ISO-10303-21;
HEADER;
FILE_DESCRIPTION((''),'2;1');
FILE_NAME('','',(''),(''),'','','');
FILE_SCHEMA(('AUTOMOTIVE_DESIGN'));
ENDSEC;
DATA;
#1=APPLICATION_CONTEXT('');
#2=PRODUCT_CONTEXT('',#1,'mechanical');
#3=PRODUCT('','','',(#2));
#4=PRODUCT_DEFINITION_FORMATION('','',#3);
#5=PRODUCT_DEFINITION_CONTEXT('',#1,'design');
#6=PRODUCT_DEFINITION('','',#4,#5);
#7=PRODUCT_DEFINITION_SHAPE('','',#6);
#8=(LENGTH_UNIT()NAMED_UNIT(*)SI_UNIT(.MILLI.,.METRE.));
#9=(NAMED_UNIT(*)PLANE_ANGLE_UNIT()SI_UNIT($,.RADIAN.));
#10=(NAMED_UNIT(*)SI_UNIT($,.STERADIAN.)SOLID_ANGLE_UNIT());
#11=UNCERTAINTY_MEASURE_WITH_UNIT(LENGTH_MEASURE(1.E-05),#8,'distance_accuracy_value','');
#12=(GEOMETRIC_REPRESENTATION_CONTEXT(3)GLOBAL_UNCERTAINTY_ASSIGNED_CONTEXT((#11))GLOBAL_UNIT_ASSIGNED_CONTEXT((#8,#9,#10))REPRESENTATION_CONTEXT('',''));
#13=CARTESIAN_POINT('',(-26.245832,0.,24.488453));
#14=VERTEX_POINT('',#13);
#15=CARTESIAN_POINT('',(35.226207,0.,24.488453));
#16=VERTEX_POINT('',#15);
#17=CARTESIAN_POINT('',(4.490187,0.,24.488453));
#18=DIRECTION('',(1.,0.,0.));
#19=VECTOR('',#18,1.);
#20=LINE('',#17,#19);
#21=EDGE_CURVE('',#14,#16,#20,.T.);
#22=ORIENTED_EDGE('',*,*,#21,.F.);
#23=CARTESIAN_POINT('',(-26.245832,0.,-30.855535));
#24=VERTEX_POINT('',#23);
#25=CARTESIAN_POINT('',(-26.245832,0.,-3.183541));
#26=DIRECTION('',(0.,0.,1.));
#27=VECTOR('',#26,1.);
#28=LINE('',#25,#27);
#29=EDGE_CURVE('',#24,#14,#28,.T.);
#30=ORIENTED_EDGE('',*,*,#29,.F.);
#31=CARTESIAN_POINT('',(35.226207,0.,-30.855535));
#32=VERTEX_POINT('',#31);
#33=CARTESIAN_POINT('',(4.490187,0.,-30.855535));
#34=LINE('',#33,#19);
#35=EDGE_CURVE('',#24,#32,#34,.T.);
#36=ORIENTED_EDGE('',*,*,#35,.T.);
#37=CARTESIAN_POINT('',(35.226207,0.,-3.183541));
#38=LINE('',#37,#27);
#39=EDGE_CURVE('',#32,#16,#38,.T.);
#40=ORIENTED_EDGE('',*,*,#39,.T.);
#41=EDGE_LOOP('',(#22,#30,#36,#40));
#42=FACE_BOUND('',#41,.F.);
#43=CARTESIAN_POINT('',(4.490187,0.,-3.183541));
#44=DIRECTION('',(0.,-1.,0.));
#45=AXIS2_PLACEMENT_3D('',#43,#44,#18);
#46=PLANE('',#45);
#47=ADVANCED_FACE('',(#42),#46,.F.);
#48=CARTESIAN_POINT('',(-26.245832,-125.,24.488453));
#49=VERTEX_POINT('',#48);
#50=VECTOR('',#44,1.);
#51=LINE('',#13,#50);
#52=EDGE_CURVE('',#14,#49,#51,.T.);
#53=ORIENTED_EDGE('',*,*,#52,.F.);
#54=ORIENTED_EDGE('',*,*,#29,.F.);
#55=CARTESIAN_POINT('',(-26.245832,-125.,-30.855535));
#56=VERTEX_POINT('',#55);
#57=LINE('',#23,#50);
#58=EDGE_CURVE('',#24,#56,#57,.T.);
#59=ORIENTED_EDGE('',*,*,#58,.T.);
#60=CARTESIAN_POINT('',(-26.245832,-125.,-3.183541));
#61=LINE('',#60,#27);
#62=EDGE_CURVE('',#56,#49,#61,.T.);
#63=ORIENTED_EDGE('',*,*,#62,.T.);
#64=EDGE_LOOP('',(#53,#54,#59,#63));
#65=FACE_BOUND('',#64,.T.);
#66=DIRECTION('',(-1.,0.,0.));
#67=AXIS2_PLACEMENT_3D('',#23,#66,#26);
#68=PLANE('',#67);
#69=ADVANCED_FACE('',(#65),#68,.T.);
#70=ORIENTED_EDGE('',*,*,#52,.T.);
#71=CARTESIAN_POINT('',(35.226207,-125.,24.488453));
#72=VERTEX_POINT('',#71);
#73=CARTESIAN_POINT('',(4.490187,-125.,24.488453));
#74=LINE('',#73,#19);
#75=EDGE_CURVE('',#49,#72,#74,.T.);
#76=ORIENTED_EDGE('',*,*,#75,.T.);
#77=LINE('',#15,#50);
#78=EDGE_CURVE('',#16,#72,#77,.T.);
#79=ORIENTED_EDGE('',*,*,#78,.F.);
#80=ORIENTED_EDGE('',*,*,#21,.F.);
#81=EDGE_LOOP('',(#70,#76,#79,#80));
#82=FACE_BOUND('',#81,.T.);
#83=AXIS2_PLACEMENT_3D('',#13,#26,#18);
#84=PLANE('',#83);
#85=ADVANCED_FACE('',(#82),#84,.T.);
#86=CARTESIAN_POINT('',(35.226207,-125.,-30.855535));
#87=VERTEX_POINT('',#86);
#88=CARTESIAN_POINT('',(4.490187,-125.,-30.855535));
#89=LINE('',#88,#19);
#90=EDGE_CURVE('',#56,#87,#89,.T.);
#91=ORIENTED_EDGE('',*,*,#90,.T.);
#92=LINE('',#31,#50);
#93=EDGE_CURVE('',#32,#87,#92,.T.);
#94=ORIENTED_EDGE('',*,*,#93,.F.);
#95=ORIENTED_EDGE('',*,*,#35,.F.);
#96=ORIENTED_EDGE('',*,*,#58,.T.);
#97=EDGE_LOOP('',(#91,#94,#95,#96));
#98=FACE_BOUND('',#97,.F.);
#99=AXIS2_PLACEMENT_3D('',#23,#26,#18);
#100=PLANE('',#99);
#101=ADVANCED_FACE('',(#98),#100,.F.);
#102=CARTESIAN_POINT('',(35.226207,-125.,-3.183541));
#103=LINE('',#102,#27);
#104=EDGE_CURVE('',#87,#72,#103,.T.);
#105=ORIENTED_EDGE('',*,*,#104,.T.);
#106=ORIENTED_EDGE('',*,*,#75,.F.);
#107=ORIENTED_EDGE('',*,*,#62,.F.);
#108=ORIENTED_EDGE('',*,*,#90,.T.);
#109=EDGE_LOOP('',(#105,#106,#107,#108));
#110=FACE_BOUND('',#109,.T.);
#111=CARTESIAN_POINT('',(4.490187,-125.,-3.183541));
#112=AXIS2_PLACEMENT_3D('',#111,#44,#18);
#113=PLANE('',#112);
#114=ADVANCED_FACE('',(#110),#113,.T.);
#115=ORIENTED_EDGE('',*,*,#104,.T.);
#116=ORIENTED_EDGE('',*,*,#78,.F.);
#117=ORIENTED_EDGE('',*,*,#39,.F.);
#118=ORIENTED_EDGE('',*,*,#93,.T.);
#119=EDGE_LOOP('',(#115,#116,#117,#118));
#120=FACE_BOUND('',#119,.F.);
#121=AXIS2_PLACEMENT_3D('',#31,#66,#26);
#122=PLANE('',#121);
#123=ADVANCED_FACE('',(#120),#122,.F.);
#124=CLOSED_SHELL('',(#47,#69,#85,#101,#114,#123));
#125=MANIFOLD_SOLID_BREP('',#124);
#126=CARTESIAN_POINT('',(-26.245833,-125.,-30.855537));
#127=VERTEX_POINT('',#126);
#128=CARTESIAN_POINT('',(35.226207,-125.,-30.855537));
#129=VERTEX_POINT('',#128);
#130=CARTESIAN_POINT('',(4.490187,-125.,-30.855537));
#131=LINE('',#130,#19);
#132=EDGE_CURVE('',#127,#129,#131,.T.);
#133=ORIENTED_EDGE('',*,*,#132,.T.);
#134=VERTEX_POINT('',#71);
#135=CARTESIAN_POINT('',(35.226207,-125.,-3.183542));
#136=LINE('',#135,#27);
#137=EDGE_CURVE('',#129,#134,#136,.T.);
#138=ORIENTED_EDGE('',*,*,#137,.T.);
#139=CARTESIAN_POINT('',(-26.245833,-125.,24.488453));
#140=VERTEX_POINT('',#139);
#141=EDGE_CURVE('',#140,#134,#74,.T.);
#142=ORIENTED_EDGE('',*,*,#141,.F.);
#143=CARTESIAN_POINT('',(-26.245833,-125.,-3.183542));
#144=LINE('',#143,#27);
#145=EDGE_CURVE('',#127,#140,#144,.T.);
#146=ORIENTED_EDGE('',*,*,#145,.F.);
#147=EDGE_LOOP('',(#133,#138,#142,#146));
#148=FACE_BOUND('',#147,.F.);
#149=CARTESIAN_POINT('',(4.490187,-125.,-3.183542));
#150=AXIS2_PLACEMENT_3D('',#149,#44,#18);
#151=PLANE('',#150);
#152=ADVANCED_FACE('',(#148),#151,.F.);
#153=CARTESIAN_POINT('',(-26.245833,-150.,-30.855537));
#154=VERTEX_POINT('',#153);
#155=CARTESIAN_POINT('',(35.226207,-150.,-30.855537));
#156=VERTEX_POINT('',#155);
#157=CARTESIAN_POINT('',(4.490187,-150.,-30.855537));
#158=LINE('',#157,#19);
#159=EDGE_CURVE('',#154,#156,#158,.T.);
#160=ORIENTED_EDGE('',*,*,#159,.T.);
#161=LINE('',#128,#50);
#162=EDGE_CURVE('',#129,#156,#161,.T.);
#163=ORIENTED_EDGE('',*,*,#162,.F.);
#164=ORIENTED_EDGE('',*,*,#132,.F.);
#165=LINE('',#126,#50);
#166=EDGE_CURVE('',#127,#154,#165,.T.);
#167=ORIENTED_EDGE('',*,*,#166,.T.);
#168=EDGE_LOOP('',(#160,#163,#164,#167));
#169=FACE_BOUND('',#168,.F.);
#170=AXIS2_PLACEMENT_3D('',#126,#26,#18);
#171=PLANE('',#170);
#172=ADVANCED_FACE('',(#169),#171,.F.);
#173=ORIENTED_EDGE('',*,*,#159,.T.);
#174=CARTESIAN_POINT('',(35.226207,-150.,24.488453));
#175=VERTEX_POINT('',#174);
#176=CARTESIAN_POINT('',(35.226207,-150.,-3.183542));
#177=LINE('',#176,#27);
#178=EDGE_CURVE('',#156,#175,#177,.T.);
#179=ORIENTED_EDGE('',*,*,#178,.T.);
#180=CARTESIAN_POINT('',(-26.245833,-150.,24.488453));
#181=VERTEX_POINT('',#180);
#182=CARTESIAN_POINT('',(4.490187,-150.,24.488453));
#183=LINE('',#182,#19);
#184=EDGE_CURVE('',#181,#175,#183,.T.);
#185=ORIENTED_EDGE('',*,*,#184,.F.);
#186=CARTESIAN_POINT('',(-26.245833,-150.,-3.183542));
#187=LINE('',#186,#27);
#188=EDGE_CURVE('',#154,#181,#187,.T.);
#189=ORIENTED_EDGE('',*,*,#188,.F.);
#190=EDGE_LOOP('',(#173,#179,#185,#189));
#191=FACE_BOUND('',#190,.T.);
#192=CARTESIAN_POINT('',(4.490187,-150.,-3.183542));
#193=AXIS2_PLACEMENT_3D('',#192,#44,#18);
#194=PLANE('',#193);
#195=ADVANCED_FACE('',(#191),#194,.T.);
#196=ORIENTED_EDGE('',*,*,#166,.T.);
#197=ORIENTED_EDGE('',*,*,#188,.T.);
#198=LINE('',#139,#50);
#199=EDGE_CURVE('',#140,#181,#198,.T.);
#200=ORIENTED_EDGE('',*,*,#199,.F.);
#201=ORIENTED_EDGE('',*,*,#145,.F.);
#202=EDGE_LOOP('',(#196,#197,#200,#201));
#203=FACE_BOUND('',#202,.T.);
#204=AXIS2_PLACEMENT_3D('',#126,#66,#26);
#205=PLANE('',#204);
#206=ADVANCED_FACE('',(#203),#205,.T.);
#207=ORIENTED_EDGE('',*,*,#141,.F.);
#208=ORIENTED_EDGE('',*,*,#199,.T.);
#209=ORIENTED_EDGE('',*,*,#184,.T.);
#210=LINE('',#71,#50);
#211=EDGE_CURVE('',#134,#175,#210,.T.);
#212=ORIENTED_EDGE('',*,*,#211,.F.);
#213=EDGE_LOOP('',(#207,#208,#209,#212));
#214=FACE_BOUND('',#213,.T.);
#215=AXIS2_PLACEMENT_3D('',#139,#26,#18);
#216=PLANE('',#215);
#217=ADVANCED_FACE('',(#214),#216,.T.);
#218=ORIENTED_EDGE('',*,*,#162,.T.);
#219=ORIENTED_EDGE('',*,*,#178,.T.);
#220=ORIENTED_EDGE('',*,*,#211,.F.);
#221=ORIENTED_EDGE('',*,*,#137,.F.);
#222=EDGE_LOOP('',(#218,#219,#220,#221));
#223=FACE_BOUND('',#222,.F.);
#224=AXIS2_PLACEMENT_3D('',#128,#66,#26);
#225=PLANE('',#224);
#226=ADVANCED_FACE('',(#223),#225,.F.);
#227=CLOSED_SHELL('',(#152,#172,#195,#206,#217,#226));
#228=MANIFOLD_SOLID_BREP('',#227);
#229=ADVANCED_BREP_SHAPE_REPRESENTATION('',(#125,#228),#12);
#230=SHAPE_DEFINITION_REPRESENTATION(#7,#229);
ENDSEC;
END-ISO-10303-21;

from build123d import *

# Parameters (mm, degrees)
F0_W      = 61.472039
F0_H      = 55.343989
F1_DEPTH  = 125
F1_FACE_W = 61.47204
F1_FACE_H = 55.34399
F2_DEPTH  = 25


with BuildPart() as f1:
    # F0 (on Front) → F1 (new body)
    with BuildSketch(Plane.XZ):
        with Locations((4.490187, -3.183541)):
            Rectangle(F0_W, F0_H)
    extrude(amount=F1_DEPTH)


with BuildPart() as f2:
    # F1_face (on face) → F2 (new body)
    with BuildSketch(Plane(origin=(4.490187, -125, -3.183542), x_dir=(1, 0, 0), z_dir=(0, -1, 0))):
        Rectangle(F1_FACE_W, F1_FACE_H)
    extrude(amount=F2_DEPTH)


solid = Compound([f1.part, f2.part])
